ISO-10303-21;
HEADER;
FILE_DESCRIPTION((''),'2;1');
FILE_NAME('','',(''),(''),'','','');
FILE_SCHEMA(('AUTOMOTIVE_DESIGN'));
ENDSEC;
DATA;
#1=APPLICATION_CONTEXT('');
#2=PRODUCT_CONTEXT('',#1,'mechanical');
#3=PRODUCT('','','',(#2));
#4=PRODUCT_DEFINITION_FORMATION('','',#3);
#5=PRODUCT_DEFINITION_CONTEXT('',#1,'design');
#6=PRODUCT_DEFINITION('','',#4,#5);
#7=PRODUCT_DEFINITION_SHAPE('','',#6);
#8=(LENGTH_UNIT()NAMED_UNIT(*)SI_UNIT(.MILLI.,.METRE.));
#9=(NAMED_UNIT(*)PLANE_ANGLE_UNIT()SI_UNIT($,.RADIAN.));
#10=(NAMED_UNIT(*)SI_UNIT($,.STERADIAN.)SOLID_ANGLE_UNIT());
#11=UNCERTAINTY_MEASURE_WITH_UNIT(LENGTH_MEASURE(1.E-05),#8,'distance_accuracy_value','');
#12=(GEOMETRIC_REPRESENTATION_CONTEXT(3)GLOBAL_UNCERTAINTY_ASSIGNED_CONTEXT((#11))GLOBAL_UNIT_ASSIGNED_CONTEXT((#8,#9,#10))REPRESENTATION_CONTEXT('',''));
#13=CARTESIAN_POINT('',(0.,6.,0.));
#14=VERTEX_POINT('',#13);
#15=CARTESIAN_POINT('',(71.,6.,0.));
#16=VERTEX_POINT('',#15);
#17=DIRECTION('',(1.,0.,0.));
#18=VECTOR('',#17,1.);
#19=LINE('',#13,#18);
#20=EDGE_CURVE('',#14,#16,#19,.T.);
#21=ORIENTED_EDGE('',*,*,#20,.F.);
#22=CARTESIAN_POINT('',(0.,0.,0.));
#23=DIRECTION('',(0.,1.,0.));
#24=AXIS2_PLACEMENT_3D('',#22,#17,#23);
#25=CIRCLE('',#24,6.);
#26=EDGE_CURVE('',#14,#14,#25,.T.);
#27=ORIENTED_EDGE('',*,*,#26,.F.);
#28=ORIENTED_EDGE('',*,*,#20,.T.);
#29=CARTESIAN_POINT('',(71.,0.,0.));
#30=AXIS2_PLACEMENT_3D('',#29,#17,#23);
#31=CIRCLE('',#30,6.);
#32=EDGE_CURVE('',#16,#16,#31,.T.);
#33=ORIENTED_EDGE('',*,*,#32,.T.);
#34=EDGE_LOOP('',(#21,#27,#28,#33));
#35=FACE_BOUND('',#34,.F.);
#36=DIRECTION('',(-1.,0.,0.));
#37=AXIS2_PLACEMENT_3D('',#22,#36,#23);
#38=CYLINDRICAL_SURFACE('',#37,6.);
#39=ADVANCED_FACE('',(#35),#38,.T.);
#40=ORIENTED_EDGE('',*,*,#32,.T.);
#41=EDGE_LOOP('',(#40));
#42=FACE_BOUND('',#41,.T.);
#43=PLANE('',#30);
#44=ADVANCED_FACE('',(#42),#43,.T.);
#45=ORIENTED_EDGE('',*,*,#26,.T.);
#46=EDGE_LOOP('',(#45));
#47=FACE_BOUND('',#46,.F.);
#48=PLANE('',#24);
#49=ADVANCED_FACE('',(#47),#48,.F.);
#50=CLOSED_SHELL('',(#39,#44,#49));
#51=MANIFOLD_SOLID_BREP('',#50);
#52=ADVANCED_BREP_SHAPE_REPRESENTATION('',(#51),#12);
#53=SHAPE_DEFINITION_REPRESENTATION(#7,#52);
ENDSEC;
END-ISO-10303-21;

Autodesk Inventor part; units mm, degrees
ref_plane "YZ Plane" through (0, 0, 0) normal (1, 0, 0) x (0, 1, 0)
ref_plane "XZ Plane" through (0, 0, 0) normal (0, 1, 0) x (-1, 0, 0)
ref_plane "XY Plane" through (0, 0, 0) normal (0, 0, 1) x (1, 0, 0)
sketch "スケッチ1" plane through (0, 0, 0) normal (1, 0, 0) x (0, 1, 0)
  circle A0 centre (0, 0) radius 6
  dimension "d0" = 12
extrude "押し出し1" add sketch "スケッチ1" along normal blind 71
properties part number "dribl-v1-Shaft-6" material "アルミニウム 6061"
